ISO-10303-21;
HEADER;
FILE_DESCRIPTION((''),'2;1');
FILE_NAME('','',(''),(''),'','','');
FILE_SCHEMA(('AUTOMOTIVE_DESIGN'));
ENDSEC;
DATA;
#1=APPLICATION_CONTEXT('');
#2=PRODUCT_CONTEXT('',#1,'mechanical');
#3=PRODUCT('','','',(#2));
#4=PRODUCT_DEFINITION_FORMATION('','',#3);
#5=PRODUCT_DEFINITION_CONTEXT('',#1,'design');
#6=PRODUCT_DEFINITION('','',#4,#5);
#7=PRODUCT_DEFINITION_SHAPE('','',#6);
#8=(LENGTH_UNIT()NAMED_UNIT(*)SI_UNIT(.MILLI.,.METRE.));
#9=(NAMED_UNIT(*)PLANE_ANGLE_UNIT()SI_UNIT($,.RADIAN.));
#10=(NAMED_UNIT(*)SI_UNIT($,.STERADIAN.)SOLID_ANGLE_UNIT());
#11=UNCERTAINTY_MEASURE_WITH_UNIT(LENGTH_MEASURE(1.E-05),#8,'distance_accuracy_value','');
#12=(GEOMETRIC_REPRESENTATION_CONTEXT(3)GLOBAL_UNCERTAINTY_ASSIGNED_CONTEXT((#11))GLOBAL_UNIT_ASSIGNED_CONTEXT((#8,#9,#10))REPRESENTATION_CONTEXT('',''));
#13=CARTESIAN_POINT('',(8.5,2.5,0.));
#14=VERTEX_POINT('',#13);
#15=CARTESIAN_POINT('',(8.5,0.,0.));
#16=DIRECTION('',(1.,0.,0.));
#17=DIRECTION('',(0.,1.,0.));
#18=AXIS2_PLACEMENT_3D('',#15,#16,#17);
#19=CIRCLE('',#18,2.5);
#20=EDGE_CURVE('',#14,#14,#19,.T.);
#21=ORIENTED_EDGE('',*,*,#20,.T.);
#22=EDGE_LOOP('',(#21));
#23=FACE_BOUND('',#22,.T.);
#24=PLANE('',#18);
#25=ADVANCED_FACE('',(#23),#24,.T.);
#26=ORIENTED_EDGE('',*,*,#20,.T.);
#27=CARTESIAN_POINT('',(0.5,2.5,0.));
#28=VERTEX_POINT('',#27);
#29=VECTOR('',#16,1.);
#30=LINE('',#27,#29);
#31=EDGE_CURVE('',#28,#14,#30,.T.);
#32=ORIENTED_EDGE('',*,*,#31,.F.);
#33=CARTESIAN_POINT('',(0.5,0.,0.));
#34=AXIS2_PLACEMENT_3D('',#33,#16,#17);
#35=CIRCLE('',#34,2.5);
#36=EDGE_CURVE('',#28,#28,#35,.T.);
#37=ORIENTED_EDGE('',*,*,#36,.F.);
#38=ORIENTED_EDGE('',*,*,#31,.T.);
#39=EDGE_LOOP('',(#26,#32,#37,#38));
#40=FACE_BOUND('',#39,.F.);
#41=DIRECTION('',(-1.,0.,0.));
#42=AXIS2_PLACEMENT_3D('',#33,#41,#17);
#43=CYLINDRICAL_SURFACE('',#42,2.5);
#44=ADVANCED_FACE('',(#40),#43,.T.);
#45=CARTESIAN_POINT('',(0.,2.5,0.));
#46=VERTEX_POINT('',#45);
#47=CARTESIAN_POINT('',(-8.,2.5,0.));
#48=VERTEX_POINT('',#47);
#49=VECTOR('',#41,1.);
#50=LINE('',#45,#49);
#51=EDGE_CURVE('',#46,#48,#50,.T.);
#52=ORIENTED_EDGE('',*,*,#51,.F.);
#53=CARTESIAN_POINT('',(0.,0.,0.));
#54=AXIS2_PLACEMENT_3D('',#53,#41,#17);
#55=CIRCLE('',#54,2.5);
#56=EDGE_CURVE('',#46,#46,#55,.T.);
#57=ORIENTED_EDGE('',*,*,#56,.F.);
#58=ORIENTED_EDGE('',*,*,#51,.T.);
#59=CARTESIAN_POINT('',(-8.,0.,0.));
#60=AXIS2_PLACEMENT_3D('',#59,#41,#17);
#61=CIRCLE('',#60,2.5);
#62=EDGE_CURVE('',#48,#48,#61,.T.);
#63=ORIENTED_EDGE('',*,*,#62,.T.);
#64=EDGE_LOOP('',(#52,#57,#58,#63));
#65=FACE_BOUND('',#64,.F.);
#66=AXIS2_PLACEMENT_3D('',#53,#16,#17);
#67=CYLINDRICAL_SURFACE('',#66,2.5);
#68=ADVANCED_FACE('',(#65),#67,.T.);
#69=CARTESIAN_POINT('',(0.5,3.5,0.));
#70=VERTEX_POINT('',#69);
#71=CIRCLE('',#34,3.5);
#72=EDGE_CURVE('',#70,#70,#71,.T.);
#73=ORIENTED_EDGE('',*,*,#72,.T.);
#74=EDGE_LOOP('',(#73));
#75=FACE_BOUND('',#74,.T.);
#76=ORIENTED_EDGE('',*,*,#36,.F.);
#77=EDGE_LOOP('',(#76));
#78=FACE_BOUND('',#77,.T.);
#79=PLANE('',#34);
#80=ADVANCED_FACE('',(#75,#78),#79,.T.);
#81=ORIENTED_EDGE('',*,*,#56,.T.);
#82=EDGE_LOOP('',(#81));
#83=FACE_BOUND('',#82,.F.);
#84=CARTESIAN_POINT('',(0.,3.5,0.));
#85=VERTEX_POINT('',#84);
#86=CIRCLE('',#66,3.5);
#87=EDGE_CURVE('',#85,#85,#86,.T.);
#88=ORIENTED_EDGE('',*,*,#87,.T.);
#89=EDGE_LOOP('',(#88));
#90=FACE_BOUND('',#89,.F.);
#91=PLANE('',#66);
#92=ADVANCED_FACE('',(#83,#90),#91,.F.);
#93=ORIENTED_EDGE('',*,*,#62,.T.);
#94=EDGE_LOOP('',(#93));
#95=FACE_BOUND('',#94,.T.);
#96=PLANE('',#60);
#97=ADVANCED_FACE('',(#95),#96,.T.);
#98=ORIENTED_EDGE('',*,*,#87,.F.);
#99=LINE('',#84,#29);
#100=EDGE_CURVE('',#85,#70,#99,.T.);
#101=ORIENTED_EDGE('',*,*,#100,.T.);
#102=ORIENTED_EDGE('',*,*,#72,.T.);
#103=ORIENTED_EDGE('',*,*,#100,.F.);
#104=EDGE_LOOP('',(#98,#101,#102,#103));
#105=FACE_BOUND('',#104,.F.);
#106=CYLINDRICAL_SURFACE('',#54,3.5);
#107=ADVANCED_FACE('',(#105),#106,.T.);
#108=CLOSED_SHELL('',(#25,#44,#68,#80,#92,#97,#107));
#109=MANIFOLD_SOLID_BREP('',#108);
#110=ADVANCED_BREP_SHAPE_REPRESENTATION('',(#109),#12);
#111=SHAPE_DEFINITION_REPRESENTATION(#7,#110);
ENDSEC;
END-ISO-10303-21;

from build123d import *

# Parameters (mm, degrees)
SKETCH_R     = 3.5
PAD_DEPTH    = 0.5
SKETCH001_R  = 2.5
PAD001_DEPTH = 8
SKETCH002_R  = 2.5
PAD002_DEPTH = 8


with BuildPart() as part:
    # Sketch → Pad (new body)
    with BuildSketch(Plane.YZ):
        Circle(SKETCH_R)
    extrude(amount=PAD_DEPTH)

    # Sketch001 (on Face3 of Pad) → Pad001 (join)
    with BuildSketch(Plane.YZ.offset(0.5)):
        Circle(SKETCH001_R)
    extrude(amount=PAD001_DEPTH)

    # Sketch002 (on Face2 of Pad001) → Pad002 (join)
    with BuildSketch(Plane(origin=(0, 0, 0), x_dir=(0, 1, 0), z_dir=(-1, 0, 0))):
        Circle(SKETCH002_R)
    extrude(amount=PAD002_DEPTH)


solid = part.part
